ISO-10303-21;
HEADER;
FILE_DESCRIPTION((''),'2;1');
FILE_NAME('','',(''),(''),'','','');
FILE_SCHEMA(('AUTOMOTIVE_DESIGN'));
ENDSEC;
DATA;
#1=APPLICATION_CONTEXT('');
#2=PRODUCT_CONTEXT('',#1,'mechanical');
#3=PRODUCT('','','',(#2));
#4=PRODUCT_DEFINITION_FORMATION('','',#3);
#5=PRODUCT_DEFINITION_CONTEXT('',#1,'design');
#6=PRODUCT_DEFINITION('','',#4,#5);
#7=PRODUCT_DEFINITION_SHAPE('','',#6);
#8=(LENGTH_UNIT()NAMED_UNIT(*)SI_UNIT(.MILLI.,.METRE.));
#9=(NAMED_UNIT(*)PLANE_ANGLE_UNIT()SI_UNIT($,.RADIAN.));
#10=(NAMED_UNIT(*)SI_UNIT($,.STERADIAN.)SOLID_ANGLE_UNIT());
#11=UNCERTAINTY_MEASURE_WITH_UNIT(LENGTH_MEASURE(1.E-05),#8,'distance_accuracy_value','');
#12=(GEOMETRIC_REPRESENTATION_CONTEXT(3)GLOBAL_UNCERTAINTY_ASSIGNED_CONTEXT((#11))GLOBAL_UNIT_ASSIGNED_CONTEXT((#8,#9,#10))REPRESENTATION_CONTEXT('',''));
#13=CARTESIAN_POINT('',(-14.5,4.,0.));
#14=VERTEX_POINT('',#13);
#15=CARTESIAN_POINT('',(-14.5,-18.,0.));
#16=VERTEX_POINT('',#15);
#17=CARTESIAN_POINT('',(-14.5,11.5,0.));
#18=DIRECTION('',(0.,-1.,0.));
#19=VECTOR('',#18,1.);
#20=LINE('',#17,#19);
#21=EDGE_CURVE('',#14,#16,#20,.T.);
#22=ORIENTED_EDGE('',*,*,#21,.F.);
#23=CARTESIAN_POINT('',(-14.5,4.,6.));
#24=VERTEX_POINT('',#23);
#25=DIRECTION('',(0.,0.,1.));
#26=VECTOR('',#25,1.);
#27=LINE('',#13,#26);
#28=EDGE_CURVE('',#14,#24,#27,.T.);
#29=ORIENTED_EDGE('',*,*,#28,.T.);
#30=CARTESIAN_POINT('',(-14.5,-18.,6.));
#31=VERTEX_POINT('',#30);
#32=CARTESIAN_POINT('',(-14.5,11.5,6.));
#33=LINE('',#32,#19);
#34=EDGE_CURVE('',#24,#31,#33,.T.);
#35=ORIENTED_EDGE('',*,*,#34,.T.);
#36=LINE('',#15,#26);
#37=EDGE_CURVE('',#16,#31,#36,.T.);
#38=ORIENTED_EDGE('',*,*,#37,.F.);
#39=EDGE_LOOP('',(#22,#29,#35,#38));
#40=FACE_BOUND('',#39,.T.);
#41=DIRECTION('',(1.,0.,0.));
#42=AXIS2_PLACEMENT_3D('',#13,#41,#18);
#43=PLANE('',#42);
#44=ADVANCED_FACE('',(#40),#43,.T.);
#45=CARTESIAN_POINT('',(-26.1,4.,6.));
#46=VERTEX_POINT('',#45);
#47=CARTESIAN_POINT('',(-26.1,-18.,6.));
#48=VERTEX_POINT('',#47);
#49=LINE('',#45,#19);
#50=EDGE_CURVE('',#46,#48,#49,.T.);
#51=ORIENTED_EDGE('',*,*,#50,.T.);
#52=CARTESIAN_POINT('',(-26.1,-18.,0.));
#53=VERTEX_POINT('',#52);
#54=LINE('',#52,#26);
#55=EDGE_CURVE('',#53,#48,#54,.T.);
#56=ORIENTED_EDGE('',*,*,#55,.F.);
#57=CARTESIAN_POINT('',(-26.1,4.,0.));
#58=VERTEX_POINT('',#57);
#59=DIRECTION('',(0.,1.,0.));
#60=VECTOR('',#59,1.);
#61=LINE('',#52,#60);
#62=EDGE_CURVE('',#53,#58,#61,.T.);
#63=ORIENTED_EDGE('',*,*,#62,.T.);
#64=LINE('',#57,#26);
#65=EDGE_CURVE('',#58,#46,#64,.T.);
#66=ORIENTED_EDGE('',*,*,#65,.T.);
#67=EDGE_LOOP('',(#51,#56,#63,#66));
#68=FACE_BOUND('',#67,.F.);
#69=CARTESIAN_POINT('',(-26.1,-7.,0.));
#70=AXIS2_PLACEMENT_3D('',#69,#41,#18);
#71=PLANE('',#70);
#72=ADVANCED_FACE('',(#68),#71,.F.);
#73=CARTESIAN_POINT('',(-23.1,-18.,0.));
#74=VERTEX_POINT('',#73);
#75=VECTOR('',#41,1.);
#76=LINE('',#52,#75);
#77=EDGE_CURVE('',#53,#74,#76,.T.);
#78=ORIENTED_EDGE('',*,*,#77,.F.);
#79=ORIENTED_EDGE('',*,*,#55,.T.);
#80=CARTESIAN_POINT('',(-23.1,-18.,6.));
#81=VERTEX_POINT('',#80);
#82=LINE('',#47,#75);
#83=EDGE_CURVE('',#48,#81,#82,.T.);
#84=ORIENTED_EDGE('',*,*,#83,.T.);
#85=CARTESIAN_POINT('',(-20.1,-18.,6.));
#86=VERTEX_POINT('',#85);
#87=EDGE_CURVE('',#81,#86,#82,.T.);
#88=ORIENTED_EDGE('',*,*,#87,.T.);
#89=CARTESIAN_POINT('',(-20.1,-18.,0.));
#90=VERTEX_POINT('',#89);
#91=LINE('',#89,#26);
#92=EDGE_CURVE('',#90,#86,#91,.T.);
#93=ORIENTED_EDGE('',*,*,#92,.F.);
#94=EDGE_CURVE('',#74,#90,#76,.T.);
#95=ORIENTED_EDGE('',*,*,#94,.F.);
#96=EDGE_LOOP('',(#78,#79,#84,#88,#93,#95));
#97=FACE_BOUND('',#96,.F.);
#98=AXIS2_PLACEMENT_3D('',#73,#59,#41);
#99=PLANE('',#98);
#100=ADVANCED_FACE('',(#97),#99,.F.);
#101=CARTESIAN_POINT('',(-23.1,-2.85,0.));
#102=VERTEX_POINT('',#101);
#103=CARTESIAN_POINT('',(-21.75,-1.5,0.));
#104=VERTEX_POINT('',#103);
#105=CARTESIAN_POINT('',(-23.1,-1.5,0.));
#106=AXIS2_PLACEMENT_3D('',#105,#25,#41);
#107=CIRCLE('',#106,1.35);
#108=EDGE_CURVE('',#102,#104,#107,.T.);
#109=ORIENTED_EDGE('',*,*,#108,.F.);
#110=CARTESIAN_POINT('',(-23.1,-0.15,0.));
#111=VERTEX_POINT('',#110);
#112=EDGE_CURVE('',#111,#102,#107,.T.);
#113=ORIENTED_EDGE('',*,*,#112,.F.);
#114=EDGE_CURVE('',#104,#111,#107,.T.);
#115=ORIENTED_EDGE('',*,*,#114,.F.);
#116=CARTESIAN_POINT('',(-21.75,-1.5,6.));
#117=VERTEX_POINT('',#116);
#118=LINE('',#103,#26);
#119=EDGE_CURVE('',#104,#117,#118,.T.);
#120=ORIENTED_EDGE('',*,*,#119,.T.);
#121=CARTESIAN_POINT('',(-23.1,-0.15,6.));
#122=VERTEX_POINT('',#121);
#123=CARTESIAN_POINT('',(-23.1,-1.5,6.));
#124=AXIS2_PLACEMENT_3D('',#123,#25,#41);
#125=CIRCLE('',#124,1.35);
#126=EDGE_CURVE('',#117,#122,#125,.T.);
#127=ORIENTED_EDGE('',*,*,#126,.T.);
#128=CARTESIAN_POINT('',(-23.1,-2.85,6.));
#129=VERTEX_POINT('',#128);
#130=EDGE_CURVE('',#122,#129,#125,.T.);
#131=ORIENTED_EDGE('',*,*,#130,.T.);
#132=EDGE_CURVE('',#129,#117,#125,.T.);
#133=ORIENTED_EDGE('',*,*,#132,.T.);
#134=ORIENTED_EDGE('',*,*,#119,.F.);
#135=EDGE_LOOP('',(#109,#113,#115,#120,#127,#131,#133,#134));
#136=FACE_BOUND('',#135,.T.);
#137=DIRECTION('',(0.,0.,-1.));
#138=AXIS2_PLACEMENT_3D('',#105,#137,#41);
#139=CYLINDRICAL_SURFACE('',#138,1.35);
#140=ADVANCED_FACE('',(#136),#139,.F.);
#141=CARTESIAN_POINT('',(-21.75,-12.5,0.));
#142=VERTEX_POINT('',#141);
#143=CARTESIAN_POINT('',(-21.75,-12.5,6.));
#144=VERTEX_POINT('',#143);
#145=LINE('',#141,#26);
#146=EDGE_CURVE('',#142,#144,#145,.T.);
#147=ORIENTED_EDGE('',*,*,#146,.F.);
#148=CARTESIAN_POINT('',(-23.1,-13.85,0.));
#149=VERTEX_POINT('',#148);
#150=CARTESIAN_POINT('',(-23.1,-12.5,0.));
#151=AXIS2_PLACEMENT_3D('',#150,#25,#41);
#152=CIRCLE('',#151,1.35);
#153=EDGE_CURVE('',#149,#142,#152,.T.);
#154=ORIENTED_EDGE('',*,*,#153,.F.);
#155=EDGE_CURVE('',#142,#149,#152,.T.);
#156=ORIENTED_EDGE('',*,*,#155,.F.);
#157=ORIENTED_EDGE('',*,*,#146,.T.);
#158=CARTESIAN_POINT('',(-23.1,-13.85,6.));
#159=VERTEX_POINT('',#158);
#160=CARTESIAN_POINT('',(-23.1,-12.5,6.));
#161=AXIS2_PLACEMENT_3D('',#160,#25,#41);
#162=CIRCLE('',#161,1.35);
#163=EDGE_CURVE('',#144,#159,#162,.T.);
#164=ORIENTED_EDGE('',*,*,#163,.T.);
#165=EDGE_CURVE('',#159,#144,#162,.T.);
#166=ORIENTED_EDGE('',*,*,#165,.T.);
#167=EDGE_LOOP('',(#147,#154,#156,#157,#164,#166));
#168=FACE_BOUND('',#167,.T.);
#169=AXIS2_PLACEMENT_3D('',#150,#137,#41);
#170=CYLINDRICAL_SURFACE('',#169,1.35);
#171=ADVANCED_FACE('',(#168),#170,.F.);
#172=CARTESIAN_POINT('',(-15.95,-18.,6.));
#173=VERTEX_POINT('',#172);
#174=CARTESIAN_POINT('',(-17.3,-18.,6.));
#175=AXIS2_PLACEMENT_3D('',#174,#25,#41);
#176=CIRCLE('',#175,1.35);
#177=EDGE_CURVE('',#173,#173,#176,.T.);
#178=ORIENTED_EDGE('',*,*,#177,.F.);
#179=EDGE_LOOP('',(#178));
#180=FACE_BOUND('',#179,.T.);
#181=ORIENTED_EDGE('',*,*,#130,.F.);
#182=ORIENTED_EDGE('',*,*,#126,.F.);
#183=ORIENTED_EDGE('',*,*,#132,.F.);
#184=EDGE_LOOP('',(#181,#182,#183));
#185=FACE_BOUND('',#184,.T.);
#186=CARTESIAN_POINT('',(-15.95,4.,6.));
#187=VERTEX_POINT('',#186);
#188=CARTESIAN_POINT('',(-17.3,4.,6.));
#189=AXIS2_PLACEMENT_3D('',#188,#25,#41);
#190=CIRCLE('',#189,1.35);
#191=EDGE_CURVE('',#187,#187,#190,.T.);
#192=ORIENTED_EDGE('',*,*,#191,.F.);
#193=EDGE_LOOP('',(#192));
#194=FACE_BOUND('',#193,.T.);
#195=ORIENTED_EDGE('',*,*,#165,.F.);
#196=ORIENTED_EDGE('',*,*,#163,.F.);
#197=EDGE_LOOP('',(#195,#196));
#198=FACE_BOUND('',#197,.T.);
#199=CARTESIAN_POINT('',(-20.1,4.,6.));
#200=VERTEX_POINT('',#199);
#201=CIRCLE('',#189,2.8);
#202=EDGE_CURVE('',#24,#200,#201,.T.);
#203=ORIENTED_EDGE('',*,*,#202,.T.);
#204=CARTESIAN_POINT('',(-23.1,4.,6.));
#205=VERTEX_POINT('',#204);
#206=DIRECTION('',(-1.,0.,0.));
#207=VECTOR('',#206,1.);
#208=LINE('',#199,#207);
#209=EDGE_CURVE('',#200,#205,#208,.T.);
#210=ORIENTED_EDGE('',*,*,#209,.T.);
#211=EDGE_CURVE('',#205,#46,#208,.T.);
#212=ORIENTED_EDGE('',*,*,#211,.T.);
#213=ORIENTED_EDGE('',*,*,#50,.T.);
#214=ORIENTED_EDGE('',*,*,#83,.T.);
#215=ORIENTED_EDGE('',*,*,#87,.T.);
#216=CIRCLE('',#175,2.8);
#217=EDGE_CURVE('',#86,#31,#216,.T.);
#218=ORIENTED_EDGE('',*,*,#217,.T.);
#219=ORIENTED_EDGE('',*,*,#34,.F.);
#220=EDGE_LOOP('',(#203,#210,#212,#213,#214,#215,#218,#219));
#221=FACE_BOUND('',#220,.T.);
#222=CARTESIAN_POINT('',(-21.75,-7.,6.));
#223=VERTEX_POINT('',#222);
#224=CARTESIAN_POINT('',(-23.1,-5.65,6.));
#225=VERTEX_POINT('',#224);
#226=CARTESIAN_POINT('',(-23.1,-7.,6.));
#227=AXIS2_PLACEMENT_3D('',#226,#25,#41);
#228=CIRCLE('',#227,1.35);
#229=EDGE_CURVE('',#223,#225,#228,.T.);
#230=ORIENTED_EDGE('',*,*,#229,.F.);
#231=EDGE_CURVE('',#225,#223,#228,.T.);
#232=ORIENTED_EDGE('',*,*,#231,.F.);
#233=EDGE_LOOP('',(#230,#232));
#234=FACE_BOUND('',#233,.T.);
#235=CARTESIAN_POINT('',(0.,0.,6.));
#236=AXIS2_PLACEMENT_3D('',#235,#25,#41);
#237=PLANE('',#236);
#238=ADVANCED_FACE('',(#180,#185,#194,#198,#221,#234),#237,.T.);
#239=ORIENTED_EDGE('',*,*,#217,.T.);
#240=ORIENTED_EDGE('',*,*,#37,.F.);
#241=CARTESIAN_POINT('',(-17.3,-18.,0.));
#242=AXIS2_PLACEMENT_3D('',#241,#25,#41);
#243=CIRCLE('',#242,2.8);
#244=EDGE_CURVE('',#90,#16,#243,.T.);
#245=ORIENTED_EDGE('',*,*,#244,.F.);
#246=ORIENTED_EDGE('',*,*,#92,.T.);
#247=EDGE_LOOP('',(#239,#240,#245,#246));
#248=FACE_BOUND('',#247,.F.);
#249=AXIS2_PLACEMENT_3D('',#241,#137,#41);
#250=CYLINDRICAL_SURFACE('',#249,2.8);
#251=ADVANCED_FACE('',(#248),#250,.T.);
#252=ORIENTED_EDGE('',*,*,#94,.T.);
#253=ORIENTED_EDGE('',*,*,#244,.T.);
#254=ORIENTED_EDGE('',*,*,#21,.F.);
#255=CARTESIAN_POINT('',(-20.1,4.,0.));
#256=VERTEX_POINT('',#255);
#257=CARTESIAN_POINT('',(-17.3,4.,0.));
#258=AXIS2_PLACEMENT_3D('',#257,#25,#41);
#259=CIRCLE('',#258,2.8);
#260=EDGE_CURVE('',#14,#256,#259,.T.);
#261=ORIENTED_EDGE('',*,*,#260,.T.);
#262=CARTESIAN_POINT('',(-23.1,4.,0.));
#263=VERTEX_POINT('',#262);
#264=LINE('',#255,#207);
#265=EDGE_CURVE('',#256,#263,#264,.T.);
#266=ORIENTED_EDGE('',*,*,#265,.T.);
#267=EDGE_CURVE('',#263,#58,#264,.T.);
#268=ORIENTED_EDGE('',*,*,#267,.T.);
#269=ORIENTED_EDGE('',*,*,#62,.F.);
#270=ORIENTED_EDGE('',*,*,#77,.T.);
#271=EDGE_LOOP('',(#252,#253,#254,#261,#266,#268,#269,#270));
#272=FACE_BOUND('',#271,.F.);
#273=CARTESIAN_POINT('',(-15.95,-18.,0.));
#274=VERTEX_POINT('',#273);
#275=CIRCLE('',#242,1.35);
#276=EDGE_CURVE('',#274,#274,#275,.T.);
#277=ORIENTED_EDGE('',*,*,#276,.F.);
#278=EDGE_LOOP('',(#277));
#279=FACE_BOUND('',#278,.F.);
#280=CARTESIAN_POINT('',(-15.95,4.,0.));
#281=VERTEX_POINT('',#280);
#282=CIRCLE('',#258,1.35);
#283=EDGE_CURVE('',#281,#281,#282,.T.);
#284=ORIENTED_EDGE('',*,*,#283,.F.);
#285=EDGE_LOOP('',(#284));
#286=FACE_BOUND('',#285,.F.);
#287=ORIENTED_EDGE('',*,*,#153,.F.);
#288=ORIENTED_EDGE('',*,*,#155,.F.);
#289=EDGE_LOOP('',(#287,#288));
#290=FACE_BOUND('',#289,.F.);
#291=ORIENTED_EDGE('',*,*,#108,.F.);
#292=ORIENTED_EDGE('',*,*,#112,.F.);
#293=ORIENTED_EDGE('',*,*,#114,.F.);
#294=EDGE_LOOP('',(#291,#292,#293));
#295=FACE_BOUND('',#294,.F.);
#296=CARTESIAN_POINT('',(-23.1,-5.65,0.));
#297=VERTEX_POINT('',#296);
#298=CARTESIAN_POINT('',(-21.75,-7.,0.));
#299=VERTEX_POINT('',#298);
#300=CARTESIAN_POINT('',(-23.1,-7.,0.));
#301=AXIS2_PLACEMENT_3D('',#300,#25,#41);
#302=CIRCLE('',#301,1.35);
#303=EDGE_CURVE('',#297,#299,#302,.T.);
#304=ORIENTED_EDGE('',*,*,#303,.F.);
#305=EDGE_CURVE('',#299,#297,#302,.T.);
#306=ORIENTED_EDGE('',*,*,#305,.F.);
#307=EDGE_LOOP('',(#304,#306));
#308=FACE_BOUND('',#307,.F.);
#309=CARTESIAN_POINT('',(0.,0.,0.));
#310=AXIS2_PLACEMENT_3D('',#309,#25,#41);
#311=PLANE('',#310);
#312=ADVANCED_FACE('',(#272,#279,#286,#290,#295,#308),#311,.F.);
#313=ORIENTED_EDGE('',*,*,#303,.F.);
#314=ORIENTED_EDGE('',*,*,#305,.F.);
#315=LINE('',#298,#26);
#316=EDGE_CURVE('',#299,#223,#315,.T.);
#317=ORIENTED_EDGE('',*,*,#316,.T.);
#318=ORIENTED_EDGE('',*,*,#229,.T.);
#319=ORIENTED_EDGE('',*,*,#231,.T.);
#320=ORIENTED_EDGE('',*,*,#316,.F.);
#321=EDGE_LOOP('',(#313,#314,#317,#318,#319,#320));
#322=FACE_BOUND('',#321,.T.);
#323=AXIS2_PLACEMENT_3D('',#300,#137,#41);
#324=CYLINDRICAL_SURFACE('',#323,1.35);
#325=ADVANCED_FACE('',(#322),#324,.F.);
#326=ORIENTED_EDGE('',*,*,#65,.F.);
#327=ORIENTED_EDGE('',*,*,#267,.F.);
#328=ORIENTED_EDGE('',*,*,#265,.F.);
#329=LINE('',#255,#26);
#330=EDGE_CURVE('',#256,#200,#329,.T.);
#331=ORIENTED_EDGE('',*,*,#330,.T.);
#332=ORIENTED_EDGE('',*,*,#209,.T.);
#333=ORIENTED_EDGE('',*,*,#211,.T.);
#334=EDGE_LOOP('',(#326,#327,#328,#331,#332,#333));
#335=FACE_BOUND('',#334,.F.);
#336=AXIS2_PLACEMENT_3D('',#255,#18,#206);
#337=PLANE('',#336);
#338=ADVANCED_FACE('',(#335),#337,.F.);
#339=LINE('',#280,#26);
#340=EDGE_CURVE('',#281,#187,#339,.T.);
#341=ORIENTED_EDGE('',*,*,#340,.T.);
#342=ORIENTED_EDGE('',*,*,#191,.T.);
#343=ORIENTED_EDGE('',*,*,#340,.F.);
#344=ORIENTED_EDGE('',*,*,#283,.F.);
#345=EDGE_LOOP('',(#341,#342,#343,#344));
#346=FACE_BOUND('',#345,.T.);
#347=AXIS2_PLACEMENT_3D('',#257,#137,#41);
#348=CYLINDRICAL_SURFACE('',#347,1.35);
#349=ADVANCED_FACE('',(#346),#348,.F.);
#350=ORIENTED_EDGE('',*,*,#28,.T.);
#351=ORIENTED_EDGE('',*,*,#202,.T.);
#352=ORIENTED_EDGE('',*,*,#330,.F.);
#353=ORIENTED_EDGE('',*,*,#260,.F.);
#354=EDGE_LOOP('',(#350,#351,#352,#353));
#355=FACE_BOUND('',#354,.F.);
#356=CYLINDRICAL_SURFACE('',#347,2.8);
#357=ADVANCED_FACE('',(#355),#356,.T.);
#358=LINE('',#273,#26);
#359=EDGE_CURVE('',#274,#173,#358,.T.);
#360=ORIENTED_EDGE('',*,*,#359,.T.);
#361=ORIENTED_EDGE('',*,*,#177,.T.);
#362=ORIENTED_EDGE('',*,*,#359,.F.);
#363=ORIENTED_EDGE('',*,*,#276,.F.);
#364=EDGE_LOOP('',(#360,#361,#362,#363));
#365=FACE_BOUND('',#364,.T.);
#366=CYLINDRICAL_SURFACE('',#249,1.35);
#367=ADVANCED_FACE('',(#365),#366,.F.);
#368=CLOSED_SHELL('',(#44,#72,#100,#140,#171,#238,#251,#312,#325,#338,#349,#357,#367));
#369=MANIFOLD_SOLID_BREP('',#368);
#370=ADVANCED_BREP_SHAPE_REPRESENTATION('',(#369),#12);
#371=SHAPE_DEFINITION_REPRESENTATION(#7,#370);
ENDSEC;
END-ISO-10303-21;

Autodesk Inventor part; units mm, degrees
ref_plane "YZ Plane" through (0, 0, 0) normal (1, 0, 0) x (0, 1, 0)
ref_plane "XZ Plane" through (0, 0, 0) normal (0, 1, 0) x (-1, 0, 0)
ref_plane "XY Plane" through (0, 0, 0) normal (0, 0, 1) x (1, 0, 0)
ref_plane "작업 평면1" through (0, 0, 0) normal (0, 0, 1) x (1, 0, 0)
sketch "스케치1" plane through (0, 0, 0) normal (0, 0, 1) x (1, 0, 0)
  line L0 (-15, 14.5) -> (-11.5, 14.5) projected
  line L1 (-15, 14.5) -> (-20.1, 8.5) projected
  line L2 (-20.1, 8.5) -> (-20.1, -44.6) projected
  line L3 (-20.1, -44.6) -> (-15, -50.6) projected
  line L4 (-15, -50.6) -> (15, -50.6) projected
  line L5 (15, -50.6) -> (20.1, -44.6) projected
  line L6 (20.1, -44.6) -> (20.1, 8.5) projected
  line L7 (20.1, 8.5) -> (15, 14.5) projected
  line L8 (11.5, 14.5) -> (15, 14.5) projected
  arc A0 (14.5, 11.5) -> (11.5, 14.5) centre (11.5, 11.5) ccw projected
  line L9 (14.5, -42) -> (14.5, 11.5) projected
  arc A1 (11.5, -45) -> (14.5, -42) centre (11.5, -42) ccw projected
  line L10 (-11.5, -45) -> (11.5, -45) projected
  arc A2 (-14.5, -42) -> (-11.5, -45) centre (-11.5, -42) ccw projected
  line L11 (-14.5, 11.5) -> (-14.5, -42) projected
  arc A3 (-11.5, 14.5) -> (-14.5, 11.5) centre (-11.5, 11.5) ccw projected
  circle A4 centre (17.3, 4) radius 1.35 projected
  circle A5 centre (17.3, -18) radius 1.35 projected
  circle A6 centre (17.3, -40) radius 1.35 projected
  circle A7 centre (11, -47.8) radius 1.35 projected
  circle A8 centre (-17.3, 4) radius 1.35 projected
  circle A9 centre (-17.3, -18) radius 1.35 projected
  circle A10 centre (-17.3, -40) radius 1.35 projected
  circle A11 centre (-11, -47.8) radius 1.35 projected
  circle A12 centre (-17.3, -18) radius 2.8
  circle A13 centre (-17.3, 4) radius 2.8
  line L12 (-20.1, -18) -> (-20.1, 4)
  line L13 (-20.1, 4) -> (-26.1, 4)
  line L14 (-26.1, 4) -> (-26.1, -18)
  line L15 (-26.1, -18) -> (-20.1, -18)
  line L16 (-26.1, -18) -> (-26.1, -7)
  line L17 (-23.1, -18) -> (-23.1, -12.5)
  line L18 (-23.1, 4) -> (-23.1, -1.5)
  line L19 (-23.1, -1.5) -> (-23.1, -7)
  circle A14 centre (-23.1, -12.5) radius 1.35
  circle A15 centre (-23.1, -7) radius 1.35
  circle A16 centre (-23.1, -1.5) radius 1.35
  point P0 (0, 0)
  point P1 (-14.5, -18)
  point P2 (-14.5, 4)
  dimension "d0" = 6
  dimension "d1" = 11
  dimension "d2" = 5.5
  dimension "d3" = 2.7
  dimension "d4" = 2.7
  dimension "d5" = 2.7
extrude "돌출1" add sketch "스케치1" along normal blind 6 contours A13 L11 A12 L2 | A13 | L2 L15 L14 L13 | A12
properties part number "_idle_adt"
